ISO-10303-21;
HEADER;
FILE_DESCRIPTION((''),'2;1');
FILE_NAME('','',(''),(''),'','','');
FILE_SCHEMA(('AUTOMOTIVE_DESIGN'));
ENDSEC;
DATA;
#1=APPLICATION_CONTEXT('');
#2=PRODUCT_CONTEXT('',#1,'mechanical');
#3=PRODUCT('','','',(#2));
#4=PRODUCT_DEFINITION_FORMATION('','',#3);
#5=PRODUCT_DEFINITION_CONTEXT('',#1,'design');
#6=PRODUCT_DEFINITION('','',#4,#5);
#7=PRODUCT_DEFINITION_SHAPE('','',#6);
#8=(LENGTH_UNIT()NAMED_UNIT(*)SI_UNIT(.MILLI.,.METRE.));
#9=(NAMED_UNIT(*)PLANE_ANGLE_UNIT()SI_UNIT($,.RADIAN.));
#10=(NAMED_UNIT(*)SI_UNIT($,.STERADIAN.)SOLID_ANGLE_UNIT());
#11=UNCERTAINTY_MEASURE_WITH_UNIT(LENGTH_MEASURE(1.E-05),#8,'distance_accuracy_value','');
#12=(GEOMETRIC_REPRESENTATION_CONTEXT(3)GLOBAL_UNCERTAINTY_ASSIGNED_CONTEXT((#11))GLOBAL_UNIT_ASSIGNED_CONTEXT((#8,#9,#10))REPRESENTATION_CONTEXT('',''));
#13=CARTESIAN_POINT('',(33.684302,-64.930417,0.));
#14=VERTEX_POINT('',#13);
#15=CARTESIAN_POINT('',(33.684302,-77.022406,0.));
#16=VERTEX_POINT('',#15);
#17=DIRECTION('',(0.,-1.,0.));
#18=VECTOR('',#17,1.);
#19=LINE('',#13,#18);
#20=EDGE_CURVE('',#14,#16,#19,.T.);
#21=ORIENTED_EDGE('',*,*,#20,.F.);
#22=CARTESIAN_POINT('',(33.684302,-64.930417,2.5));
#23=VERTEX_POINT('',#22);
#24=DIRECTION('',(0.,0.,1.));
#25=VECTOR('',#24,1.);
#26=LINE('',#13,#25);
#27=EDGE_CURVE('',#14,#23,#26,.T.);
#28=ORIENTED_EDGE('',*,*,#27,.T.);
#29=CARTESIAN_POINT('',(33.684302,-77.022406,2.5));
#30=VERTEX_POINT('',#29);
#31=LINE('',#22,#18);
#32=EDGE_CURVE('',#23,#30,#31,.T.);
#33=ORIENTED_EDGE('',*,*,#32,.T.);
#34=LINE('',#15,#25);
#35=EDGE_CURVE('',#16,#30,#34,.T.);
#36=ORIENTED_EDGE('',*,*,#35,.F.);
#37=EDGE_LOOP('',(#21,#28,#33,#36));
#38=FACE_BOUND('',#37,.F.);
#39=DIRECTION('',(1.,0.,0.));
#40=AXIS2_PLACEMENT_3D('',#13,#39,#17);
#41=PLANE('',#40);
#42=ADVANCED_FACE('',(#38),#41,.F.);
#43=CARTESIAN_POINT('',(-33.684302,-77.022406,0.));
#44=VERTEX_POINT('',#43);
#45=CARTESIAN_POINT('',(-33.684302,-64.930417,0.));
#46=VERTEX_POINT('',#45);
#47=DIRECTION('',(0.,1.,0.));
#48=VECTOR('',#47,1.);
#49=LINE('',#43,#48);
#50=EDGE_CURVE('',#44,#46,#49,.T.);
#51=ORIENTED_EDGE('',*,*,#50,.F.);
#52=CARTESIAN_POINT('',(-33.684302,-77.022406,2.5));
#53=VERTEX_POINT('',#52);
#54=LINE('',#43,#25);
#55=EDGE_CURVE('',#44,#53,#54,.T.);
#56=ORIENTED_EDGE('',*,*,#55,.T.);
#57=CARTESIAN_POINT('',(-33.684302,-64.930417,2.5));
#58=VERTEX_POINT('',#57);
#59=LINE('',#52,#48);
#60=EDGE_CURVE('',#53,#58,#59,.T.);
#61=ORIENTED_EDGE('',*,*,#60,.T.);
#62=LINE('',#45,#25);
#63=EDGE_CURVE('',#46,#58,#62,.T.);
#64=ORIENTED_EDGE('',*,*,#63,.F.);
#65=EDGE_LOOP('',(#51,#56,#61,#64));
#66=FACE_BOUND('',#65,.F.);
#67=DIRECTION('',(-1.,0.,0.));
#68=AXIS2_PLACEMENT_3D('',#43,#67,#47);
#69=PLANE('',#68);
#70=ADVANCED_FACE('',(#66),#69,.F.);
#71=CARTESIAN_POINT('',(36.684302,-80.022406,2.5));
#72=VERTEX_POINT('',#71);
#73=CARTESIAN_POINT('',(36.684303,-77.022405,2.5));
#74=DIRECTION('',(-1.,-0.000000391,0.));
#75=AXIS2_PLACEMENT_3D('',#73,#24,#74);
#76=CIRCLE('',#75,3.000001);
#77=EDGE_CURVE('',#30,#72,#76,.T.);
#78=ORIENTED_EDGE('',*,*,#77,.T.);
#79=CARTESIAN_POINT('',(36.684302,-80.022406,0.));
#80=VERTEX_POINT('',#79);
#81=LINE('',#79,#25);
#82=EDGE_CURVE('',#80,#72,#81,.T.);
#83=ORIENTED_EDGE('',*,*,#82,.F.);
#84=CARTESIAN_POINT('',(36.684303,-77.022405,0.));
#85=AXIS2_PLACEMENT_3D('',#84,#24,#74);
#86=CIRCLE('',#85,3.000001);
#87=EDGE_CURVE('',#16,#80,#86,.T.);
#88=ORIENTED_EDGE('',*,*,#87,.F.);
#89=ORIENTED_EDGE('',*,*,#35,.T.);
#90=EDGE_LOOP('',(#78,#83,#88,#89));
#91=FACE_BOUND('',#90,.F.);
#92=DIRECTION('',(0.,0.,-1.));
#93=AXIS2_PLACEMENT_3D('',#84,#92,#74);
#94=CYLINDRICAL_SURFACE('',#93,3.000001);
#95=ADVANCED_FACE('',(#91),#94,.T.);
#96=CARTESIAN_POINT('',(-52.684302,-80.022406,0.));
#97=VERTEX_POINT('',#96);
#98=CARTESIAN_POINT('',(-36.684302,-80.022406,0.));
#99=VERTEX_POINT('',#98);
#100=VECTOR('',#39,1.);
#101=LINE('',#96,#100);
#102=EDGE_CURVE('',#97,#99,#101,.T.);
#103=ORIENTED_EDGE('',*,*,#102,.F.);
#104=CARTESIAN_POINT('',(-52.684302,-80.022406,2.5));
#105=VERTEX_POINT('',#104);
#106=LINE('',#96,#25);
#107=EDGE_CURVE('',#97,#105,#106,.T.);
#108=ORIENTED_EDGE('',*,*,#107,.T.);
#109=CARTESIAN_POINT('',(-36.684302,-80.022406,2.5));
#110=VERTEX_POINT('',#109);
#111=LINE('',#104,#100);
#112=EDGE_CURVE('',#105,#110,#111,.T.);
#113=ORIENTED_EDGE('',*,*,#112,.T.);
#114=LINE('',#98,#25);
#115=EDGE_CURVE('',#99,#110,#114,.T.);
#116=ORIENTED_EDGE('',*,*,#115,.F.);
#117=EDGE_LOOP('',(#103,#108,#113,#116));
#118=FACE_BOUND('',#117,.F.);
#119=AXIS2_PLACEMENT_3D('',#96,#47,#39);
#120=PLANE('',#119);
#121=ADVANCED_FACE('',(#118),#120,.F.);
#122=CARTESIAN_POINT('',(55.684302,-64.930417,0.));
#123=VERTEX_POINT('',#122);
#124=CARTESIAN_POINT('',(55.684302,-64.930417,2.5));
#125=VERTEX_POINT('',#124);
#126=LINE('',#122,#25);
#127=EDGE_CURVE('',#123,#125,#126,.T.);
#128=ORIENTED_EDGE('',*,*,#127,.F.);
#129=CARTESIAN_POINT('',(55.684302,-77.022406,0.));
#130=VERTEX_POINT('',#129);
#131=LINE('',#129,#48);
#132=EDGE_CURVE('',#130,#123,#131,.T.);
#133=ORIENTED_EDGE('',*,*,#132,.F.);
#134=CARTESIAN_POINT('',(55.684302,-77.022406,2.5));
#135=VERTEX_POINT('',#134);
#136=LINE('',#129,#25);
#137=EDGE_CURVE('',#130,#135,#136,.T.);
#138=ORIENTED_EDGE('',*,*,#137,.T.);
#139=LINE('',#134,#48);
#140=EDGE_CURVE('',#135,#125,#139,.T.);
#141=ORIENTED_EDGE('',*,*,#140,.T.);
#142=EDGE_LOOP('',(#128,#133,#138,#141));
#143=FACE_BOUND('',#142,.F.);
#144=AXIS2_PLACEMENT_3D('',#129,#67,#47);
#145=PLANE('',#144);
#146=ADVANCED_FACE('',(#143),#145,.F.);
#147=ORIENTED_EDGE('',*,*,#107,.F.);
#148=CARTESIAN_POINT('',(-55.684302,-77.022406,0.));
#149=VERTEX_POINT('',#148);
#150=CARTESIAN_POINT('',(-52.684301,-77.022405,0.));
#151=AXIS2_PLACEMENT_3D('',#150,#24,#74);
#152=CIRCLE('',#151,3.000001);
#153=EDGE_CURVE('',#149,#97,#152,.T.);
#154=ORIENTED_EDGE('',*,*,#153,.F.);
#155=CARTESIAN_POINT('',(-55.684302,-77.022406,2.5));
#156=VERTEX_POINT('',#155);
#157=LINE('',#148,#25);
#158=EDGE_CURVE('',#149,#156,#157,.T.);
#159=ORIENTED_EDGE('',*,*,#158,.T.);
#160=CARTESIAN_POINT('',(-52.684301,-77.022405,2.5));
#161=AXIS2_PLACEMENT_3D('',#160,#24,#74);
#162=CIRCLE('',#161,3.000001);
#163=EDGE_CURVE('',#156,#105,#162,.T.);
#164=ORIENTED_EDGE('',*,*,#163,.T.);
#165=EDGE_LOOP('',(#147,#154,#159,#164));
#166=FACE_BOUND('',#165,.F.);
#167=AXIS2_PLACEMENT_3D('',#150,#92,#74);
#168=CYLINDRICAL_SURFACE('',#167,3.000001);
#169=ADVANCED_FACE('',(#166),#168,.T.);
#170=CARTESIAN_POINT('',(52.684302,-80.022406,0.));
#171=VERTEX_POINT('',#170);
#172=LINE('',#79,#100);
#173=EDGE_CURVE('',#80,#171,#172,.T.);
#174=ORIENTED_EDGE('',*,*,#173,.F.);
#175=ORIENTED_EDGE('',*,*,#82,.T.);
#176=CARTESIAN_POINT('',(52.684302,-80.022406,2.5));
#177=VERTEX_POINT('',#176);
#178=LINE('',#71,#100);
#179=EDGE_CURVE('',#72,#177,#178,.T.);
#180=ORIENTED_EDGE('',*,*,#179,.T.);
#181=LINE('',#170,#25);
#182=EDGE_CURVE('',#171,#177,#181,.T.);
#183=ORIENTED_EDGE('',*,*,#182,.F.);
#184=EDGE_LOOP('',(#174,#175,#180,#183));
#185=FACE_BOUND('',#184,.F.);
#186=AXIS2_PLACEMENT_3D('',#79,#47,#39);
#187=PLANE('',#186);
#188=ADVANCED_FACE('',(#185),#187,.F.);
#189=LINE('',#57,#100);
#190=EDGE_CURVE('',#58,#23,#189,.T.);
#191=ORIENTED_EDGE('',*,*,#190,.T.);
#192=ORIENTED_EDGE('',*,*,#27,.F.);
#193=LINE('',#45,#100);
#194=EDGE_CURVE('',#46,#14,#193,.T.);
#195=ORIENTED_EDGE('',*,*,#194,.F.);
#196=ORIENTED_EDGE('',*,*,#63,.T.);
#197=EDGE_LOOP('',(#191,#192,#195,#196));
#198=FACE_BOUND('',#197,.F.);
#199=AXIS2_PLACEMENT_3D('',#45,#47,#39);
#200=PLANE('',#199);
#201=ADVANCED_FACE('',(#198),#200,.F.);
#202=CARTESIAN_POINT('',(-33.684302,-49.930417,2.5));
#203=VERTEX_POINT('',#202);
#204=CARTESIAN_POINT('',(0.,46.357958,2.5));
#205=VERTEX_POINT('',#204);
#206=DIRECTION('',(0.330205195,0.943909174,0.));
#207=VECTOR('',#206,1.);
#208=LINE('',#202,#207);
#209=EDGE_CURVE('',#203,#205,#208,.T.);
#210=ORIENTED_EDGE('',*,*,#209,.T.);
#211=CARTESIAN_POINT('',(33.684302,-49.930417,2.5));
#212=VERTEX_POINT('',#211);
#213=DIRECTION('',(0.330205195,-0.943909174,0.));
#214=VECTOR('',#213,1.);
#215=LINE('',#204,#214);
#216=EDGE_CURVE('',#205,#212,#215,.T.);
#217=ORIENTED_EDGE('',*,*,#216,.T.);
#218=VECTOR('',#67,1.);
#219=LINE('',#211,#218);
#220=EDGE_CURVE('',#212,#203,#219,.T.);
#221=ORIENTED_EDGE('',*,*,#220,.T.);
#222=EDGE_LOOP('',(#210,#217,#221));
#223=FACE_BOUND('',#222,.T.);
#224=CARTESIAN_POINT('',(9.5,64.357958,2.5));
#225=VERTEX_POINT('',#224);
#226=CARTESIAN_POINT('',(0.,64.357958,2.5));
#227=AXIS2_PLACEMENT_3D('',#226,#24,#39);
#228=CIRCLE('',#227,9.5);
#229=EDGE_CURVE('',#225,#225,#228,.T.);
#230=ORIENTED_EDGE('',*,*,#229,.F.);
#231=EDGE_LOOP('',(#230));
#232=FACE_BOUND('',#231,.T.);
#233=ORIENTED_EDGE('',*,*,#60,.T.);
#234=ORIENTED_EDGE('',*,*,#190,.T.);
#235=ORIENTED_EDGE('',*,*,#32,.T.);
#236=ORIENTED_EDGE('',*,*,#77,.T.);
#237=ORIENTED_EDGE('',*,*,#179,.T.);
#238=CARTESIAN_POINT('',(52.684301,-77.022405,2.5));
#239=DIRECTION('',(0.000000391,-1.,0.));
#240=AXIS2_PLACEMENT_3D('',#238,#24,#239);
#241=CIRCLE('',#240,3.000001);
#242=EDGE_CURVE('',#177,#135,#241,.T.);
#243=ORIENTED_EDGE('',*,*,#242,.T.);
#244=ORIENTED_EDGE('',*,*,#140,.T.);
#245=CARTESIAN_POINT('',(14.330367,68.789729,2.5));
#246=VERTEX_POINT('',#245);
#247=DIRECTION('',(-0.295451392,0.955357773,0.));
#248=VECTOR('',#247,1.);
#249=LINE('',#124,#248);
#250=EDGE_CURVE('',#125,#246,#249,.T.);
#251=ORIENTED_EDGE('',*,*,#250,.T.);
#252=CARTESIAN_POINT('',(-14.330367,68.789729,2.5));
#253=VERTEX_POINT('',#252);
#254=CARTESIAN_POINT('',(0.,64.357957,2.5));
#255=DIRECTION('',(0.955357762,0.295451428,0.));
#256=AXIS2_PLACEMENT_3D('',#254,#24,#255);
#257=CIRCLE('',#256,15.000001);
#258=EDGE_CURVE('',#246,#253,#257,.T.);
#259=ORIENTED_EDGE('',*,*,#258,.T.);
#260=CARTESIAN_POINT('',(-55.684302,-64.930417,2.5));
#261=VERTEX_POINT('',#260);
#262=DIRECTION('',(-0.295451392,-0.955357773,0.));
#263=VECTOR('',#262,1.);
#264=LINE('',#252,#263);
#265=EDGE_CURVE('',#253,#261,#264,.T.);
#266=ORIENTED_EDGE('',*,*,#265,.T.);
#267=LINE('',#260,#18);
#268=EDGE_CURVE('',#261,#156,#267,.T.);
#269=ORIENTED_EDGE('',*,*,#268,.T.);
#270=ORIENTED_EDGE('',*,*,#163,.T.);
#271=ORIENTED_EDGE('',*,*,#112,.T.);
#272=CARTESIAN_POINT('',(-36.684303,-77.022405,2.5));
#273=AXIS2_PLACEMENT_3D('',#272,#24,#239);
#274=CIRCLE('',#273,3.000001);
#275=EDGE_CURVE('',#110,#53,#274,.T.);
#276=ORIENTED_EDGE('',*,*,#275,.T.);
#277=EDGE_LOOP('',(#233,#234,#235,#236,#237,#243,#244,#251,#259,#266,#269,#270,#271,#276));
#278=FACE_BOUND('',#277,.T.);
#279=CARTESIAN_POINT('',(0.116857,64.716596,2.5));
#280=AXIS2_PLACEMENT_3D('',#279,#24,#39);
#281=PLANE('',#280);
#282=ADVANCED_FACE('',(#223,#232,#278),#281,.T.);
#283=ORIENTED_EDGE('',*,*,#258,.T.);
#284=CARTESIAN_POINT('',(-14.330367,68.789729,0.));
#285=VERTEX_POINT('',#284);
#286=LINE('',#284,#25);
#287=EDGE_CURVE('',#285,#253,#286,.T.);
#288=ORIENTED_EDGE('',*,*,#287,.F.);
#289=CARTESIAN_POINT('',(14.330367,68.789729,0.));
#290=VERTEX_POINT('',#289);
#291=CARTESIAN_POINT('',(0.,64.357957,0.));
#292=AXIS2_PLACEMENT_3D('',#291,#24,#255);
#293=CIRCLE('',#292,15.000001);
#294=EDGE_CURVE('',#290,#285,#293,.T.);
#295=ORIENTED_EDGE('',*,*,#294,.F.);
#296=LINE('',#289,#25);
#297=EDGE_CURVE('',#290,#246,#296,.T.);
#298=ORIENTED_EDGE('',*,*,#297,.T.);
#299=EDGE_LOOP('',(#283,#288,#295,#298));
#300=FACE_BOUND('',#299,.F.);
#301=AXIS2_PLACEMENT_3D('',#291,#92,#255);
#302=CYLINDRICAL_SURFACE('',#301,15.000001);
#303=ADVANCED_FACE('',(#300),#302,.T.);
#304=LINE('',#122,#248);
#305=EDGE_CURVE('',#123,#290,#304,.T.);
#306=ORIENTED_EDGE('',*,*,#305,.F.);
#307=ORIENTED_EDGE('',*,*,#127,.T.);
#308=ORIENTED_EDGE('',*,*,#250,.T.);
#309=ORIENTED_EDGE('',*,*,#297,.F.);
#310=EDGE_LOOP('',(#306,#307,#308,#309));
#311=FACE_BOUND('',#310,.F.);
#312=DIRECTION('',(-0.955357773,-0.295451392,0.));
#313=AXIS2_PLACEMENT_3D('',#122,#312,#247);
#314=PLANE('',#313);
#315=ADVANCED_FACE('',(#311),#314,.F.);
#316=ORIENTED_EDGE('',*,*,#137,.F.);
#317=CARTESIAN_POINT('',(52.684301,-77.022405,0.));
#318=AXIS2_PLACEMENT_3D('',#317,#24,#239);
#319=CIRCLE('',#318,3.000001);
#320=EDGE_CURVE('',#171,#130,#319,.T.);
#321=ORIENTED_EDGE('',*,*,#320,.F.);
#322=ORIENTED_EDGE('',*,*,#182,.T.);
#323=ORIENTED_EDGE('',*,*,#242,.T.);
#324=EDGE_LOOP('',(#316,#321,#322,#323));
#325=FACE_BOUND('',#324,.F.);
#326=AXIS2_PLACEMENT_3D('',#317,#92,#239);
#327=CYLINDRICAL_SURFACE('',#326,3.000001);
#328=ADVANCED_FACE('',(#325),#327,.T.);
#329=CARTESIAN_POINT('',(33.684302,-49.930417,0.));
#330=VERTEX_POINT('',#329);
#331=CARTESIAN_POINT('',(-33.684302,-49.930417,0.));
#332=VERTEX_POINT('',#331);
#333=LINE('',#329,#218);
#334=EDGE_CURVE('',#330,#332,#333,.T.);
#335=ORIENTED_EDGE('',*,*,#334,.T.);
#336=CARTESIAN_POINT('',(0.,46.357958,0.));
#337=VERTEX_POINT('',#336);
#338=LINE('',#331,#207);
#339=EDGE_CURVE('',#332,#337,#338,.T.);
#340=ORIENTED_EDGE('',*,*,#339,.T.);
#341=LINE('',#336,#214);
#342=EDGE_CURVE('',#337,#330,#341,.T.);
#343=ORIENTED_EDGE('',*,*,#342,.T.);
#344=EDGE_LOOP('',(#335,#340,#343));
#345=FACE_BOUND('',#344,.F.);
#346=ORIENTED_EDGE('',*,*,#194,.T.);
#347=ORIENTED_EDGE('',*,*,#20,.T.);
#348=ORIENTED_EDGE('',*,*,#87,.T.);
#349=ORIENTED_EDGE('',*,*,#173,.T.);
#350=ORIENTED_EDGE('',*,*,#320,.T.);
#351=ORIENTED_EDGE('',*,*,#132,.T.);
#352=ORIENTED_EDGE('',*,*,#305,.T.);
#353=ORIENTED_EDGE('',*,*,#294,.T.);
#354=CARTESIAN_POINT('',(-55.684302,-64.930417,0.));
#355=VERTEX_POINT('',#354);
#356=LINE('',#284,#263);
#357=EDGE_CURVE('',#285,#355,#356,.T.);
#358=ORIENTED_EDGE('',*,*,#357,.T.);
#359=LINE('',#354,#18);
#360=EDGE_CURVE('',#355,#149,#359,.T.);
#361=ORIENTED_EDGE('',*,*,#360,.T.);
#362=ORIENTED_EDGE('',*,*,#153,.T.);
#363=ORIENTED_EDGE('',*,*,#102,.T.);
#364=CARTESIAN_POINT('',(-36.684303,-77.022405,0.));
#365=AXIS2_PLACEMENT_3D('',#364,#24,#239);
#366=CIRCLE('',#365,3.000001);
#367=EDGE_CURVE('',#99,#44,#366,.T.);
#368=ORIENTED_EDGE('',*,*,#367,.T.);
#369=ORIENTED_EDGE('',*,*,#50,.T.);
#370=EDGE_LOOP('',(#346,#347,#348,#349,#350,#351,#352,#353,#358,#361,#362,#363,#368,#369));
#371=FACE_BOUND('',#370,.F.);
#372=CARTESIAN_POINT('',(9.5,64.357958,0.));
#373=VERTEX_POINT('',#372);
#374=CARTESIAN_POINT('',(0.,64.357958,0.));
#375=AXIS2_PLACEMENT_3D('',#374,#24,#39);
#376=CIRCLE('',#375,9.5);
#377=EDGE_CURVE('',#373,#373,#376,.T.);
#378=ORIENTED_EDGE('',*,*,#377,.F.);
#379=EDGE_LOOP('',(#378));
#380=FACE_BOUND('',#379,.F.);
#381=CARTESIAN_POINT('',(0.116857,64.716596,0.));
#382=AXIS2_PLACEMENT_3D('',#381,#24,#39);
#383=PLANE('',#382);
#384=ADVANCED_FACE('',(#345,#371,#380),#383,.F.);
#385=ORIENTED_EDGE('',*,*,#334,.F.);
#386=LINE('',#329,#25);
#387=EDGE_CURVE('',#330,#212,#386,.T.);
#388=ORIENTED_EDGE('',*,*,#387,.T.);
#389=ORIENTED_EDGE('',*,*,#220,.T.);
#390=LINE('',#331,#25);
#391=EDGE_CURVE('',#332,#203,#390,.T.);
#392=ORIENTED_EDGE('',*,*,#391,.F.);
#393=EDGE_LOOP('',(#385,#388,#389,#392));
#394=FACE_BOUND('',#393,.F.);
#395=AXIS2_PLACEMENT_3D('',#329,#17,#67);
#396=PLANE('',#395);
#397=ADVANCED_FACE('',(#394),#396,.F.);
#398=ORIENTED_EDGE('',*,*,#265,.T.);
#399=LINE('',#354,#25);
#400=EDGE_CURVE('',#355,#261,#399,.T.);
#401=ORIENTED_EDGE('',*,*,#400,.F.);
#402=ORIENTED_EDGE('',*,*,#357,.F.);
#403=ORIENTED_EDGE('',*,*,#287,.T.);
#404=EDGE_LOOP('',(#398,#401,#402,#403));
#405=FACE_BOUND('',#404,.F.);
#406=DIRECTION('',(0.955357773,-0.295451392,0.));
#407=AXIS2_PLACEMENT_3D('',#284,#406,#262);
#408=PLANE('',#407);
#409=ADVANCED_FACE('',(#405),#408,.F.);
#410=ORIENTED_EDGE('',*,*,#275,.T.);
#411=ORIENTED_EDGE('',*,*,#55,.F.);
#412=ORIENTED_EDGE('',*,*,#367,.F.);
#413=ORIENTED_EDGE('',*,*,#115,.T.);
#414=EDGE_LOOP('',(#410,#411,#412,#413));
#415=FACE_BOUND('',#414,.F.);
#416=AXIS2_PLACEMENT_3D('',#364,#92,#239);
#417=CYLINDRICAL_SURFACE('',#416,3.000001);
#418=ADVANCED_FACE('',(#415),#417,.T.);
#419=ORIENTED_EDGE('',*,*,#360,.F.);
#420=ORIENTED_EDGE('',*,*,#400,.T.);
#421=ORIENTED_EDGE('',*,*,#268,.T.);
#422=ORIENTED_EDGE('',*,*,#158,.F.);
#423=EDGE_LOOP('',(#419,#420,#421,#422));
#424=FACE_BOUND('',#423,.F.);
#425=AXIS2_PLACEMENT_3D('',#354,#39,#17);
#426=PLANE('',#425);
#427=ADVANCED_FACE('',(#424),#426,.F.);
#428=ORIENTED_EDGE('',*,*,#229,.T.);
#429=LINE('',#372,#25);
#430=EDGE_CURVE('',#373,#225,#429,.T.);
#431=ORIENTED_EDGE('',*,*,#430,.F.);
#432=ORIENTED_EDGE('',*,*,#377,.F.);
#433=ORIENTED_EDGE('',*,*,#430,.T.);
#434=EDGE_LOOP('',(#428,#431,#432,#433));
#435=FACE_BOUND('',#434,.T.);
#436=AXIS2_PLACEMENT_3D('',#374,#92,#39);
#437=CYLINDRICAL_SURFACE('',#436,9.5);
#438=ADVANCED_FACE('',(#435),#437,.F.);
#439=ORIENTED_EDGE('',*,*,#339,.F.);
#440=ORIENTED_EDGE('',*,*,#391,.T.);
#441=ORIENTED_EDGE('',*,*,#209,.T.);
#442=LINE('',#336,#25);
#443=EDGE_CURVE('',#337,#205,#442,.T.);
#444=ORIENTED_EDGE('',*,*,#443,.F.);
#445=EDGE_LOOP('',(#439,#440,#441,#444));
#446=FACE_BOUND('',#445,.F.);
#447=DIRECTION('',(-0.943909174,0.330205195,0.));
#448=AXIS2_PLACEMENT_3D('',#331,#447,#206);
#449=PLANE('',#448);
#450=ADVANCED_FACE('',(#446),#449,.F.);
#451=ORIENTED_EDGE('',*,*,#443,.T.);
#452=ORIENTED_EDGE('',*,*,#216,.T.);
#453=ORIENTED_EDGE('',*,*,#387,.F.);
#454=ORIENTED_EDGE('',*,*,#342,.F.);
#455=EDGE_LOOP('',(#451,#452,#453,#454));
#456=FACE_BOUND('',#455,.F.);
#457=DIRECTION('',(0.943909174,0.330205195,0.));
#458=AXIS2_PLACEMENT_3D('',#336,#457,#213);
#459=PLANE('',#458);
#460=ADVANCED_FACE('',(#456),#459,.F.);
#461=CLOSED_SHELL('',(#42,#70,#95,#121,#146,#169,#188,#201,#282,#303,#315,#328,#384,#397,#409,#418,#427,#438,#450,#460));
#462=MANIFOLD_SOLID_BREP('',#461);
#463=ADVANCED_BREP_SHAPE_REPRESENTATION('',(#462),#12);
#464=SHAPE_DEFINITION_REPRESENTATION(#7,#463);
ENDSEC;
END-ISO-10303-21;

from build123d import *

# Parameters (mm, degrees)
F0_R     = 9.5
F1_DEPTH = 2.5


with BuildPart() as f1:
    # F0 (on Top) → F1 (new body)
    with BuildSketch(Plane.XY):
        with BuildLine():
            ThreePointArc((-14.330367, 68.789729), (-2.241038, 49.526311), (15, 64.357958))
            ThreePointArc((15, 64.357958), (14.831647, 66.598995), (14.330367, 68.789729))
            ThreePointArc((14.330367, 68.789729), (0, 79.357958), (-14.330367, 68.789729))
        make_face()
        with Locations((0, 64.357958)):
            Circle(F0_R, mode=Mode.SUBTRACT)
        with BuildLine():
            ThreePointArc((14.330367, 68.789729), (14.831647, 66.598995), (15, 64.357958))
            ThreePointArc((15, 64.357958), (-2.241038, 49.526311), (-14.330367, 68.789729))
            Line((-14.330367, 68.789729), (-55.684302, -64.930417))
            Line((-55.684302, -64.930417), (-55.684302, -77.022406))
            ThreePointArc((-55.684302, -77.022406), (-54.805622, -79.143726), (-52.684302, -80.022406))
            Line((-52.684302, -80.022406), (-36.684302, -80.022406))
            ThreePointArc((-36.684302, -80.022406), (-34.562982, -79.143726), (-33.684302, -77.022406))
            Line((-33.684302, -77.022406), (-33.684302, -64.930417))
            Line((-33.684302, -64.930417), (33.684302, -64.930417))
            Line((33.684302, -64.930417), (33.684302, -77.022406))
            ThreePointArc((33.684302, -77.022406), (34.562982, -79.143726), (36.684302, -80.022406))
            Line((36.684302, -80.022406), (52.684302, -80.022406))
            ThreePointArc((52.684302, -80.022406), (54.805622, -79.143726), (55.684302, -77.022406))
            Line((55.684302, -77.022406), (55.684302, -64.930417))
            Line((55.684302, -64.930417), (14.330367, 68.789729))
        make_face()
        Polygon((33.684302, -49.930417), (0, -49.930417), (-33.684302, -49.930417), (0, 46.357958), align=None, mode=Mode.SUBTRACT)
    extrude(amount=F1_DEPTH)


solid = f1.part
